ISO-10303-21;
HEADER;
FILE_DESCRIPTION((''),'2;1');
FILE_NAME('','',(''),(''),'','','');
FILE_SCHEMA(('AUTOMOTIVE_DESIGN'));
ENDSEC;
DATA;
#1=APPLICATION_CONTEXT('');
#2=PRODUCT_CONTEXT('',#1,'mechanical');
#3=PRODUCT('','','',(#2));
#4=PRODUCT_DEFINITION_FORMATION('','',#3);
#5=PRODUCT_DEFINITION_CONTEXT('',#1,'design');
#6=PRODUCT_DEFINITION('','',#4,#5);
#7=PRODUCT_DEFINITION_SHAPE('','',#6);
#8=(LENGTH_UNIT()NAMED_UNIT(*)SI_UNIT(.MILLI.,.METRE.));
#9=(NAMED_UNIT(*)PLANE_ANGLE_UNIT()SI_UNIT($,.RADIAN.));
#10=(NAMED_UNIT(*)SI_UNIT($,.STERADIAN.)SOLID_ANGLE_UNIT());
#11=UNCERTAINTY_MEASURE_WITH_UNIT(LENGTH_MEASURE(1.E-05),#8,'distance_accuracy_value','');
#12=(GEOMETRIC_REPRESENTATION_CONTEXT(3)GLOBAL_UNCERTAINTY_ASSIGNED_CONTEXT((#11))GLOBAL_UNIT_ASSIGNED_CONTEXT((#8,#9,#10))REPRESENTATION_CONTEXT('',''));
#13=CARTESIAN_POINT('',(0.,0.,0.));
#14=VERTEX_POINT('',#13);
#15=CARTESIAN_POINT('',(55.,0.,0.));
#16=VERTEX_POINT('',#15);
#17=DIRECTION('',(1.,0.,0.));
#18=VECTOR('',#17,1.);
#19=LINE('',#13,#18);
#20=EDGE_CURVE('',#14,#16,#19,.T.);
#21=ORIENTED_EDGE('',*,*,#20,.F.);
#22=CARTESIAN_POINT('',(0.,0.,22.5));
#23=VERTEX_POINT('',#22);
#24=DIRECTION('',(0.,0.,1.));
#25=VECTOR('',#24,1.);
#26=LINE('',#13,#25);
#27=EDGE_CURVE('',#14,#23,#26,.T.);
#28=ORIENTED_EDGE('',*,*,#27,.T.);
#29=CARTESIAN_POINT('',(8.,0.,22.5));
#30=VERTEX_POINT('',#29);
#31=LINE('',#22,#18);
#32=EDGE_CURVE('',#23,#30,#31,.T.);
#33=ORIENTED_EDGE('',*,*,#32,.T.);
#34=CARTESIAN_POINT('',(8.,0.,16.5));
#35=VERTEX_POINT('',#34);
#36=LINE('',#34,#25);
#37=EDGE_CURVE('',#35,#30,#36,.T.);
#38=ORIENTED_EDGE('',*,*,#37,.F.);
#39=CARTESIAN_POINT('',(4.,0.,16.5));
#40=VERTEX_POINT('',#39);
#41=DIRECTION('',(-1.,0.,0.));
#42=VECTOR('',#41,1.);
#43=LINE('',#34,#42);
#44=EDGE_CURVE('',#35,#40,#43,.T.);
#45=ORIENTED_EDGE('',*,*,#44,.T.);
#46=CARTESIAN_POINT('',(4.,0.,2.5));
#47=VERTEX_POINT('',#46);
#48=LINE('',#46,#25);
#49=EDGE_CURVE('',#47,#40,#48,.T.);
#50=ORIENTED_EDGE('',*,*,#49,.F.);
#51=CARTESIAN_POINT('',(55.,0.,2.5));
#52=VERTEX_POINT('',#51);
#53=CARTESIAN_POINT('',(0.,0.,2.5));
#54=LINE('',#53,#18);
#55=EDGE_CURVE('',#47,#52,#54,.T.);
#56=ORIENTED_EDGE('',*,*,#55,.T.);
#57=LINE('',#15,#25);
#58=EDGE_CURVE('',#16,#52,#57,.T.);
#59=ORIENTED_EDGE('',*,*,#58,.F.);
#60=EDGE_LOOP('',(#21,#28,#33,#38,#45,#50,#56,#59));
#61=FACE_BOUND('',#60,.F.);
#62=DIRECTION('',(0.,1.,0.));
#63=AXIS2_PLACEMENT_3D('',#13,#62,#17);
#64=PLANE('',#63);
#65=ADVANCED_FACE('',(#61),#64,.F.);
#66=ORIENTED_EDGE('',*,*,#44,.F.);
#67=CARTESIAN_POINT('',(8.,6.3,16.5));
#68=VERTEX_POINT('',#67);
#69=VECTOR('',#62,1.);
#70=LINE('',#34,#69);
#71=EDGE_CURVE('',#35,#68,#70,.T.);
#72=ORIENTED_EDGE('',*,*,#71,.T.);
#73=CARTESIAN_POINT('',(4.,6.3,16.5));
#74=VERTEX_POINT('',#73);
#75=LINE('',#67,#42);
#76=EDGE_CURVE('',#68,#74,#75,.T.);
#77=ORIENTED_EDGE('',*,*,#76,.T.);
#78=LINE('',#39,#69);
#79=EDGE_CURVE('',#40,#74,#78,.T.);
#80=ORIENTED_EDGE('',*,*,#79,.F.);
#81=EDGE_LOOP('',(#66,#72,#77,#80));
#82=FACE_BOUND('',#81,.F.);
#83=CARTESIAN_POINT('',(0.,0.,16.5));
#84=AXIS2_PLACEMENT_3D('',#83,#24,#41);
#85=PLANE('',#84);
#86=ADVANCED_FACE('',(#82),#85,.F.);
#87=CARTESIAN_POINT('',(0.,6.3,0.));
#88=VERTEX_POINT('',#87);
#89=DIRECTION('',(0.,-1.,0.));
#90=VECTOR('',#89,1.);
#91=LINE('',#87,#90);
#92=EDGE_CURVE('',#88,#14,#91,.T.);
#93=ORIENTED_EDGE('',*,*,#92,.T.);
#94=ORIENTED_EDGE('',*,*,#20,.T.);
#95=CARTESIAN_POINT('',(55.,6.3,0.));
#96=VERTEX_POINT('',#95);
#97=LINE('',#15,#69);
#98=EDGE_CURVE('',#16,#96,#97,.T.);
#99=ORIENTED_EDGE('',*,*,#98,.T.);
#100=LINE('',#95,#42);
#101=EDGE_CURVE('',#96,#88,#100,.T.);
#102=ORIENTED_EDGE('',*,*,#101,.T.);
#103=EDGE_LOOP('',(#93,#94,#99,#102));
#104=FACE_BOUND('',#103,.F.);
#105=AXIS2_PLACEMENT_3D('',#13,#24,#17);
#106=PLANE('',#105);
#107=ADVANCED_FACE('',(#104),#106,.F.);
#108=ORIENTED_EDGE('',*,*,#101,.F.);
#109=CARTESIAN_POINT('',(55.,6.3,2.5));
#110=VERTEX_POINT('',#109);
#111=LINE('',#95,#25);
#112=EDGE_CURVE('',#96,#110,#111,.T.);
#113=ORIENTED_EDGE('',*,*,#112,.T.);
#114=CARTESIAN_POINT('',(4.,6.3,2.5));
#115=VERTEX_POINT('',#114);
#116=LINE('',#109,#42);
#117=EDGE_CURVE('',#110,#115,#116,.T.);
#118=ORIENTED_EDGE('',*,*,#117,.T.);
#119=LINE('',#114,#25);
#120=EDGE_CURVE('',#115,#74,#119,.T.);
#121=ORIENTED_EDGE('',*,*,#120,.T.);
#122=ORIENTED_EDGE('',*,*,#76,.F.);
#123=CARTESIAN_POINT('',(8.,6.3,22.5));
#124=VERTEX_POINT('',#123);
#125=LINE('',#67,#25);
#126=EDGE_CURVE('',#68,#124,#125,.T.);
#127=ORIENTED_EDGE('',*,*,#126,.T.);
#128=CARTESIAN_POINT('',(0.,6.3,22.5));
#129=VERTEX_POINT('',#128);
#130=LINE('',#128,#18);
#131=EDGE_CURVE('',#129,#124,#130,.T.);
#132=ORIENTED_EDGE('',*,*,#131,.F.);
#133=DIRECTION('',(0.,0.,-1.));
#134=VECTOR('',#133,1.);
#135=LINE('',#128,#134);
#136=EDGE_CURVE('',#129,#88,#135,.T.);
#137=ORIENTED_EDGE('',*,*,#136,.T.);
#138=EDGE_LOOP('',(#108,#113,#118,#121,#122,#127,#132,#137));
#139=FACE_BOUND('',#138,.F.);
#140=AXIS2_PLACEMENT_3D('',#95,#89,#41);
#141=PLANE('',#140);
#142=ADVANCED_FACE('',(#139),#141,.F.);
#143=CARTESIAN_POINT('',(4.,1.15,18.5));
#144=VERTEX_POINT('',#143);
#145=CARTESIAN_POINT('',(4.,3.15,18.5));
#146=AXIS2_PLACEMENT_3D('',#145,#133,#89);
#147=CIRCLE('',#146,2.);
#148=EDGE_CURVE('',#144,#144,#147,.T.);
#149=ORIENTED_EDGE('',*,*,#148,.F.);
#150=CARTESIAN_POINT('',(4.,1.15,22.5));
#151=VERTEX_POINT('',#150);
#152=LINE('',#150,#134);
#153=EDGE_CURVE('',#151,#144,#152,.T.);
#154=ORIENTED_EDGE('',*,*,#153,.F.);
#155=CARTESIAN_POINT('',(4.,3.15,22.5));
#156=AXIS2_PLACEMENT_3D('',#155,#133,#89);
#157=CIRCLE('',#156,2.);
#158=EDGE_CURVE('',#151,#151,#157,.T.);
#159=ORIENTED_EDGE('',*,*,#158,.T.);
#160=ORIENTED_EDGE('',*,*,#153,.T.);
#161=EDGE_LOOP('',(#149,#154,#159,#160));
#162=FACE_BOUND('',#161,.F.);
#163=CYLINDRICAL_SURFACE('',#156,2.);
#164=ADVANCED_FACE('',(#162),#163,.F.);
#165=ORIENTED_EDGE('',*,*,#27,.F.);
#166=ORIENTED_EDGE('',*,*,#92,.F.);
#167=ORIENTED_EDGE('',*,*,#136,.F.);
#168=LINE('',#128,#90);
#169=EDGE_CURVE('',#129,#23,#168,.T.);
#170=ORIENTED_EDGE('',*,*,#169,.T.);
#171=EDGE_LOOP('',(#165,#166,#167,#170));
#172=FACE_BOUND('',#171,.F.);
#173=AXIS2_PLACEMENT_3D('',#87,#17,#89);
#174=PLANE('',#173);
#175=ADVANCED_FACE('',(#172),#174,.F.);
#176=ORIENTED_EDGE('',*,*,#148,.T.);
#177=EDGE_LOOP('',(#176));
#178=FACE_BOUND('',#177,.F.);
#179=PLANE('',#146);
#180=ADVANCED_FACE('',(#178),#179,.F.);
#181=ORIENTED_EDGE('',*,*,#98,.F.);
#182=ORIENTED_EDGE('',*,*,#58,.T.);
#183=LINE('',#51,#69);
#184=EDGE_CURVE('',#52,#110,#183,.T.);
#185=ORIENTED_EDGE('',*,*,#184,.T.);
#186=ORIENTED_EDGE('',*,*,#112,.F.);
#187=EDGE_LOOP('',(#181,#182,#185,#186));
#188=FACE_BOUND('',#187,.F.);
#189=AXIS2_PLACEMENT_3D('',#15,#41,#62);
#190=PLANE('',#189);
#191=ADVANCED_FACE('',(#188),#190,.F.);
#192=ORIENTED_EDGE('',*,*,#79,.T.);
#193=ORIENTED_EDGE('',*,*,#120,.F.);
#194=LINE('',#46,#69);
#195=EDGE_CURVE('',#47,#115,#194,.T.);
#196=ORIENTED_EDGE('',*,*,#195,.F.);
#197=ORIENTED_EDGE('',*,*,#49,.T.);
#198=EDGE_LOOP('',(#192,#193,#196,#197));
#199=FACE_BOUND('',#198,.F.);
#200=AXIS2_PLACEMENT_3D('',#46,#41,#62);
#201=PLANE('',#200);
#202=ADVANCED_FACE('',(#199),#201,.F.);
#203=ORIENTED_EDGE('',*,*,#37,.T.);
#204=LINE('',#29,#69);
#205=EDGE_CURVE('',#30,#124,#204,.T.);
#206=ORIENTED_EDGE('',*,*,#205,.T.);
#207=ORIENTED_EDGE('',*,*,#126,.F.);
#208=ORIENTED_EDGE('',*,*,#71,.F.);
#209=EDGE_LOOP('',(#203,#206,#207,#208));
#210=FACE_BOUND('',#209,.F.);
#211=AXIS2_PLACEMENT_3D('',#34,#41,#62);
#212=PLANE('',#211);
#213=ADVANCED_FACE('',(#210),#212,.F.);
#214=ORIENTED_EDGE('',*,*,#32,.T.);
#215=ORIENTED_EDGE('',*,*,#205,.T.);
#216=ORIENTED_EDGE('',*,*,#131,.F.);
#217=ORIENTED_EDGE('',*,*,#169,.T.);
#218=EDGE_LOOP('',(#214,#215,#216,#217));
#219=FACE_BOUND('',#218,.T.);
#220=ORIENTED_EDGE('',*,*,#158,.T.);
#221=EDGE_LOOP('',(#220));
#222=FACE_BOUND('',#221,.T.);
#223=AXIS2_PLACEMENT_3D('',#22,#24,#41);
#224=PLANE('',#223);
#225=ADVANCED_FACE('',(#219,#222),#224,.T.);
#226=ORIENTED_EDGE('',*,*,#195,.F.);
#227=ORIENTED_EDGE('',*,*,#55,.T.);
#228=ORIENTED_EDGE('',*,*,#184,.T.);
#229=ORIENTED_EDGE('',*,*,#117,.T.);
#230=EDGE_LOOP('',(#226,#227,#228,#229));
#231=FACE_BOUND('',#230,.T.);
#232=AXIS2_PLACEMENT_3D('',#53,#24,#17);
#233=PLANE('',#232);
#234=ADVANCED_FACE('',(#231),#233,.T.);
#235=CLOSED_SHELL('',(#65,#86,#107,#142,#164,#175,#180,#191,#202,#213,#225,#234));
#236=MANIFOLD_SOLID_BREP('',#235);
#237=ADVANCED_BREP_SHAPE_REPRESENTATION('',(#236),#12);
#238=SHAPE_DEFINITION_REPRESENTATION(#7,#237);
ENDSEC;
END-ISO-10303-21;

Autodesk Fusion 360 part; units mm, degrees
sketch "Sketch1" plane through (0, 0, 0) normal (0, 0, 1) x (1, 0, 0)
  line L0 (0, 0) -> (55, 0)
  line L1 (55, 0) -> (55, 6.3)
  line L2 (55, 6.3) -> (0, 6.3)
  line L3 (0, 6.3) -> (0, 0)
  dimension "d1" = 55
  dimension "d2" = 6.3
extrude "Extrude1" add sketch "Sketch1" along normal blind 2.5 makes body 1
sketch "Sketch2" plane through (0, 0, 2.5) normal (0, 0, 1) x (-1, 0, 0)
  line L0 (0, -6.3) -> (0, 0)
  line L1 (0, 0) -> (-55, 0)
  line L2 (-55, 0) -> (-55, -6.3)
  line L3 (-55, -6.3) -> (0, -6.3)
  line L4 (0, 0) -> (-4, 0)
  line L5 (-4, 0) -> (-4, -6.3)
  line L6 (-4, -6.3) -> (0, -6.3)
  line L7 (0, -6.3) -> (0, 0)
  dimension "d5" = 4
extrude "Extrude2" add sketch "Sketch2" along normal blind 14 contours L0 L1 L3 L4 L5 L6 L7 bodies 1
sketch "Sketch3" plane through (0, 0, 16.5) normal (0, 0, 1) x (-1, 0, 0)
  line L0 (0, -6.3) -> (0, 0)
  line L1 (0, 0) -> (-4, 0)
  line L2 (-4, 0) -> (-4, -6.3)
  line L3 (-4, -6.3) -> (0, -6.3)
  line L4 (0, 0) -> (-8, 0)
  line L5 (-8, 0) -> (-8, -6.3)
  line L6 (-8, -6.3) -> (0, -6.3)
  line L7 (0, -6.3) -> (0, 0)
  dimension "d8" = 8
  dimension "d9" = 6.3
extrude "Extrude3" add sketch "Sketch3" along normal blind 6 bodies 1
hole "Hole1" at (4, 3.15, 22.5) direction (0, 0, -1) diameter 4 depth 4 tip angle 180 bodies 1
copy_body "Body->Comp1" bodies 1 removing the originals makes body 2 in component "Hook v2 (1)"
component "Hook v2 (1)" placed x (1, 0, 0) y (0, 1, 0) z (0, 0, 1) at (0, 0, 0)
